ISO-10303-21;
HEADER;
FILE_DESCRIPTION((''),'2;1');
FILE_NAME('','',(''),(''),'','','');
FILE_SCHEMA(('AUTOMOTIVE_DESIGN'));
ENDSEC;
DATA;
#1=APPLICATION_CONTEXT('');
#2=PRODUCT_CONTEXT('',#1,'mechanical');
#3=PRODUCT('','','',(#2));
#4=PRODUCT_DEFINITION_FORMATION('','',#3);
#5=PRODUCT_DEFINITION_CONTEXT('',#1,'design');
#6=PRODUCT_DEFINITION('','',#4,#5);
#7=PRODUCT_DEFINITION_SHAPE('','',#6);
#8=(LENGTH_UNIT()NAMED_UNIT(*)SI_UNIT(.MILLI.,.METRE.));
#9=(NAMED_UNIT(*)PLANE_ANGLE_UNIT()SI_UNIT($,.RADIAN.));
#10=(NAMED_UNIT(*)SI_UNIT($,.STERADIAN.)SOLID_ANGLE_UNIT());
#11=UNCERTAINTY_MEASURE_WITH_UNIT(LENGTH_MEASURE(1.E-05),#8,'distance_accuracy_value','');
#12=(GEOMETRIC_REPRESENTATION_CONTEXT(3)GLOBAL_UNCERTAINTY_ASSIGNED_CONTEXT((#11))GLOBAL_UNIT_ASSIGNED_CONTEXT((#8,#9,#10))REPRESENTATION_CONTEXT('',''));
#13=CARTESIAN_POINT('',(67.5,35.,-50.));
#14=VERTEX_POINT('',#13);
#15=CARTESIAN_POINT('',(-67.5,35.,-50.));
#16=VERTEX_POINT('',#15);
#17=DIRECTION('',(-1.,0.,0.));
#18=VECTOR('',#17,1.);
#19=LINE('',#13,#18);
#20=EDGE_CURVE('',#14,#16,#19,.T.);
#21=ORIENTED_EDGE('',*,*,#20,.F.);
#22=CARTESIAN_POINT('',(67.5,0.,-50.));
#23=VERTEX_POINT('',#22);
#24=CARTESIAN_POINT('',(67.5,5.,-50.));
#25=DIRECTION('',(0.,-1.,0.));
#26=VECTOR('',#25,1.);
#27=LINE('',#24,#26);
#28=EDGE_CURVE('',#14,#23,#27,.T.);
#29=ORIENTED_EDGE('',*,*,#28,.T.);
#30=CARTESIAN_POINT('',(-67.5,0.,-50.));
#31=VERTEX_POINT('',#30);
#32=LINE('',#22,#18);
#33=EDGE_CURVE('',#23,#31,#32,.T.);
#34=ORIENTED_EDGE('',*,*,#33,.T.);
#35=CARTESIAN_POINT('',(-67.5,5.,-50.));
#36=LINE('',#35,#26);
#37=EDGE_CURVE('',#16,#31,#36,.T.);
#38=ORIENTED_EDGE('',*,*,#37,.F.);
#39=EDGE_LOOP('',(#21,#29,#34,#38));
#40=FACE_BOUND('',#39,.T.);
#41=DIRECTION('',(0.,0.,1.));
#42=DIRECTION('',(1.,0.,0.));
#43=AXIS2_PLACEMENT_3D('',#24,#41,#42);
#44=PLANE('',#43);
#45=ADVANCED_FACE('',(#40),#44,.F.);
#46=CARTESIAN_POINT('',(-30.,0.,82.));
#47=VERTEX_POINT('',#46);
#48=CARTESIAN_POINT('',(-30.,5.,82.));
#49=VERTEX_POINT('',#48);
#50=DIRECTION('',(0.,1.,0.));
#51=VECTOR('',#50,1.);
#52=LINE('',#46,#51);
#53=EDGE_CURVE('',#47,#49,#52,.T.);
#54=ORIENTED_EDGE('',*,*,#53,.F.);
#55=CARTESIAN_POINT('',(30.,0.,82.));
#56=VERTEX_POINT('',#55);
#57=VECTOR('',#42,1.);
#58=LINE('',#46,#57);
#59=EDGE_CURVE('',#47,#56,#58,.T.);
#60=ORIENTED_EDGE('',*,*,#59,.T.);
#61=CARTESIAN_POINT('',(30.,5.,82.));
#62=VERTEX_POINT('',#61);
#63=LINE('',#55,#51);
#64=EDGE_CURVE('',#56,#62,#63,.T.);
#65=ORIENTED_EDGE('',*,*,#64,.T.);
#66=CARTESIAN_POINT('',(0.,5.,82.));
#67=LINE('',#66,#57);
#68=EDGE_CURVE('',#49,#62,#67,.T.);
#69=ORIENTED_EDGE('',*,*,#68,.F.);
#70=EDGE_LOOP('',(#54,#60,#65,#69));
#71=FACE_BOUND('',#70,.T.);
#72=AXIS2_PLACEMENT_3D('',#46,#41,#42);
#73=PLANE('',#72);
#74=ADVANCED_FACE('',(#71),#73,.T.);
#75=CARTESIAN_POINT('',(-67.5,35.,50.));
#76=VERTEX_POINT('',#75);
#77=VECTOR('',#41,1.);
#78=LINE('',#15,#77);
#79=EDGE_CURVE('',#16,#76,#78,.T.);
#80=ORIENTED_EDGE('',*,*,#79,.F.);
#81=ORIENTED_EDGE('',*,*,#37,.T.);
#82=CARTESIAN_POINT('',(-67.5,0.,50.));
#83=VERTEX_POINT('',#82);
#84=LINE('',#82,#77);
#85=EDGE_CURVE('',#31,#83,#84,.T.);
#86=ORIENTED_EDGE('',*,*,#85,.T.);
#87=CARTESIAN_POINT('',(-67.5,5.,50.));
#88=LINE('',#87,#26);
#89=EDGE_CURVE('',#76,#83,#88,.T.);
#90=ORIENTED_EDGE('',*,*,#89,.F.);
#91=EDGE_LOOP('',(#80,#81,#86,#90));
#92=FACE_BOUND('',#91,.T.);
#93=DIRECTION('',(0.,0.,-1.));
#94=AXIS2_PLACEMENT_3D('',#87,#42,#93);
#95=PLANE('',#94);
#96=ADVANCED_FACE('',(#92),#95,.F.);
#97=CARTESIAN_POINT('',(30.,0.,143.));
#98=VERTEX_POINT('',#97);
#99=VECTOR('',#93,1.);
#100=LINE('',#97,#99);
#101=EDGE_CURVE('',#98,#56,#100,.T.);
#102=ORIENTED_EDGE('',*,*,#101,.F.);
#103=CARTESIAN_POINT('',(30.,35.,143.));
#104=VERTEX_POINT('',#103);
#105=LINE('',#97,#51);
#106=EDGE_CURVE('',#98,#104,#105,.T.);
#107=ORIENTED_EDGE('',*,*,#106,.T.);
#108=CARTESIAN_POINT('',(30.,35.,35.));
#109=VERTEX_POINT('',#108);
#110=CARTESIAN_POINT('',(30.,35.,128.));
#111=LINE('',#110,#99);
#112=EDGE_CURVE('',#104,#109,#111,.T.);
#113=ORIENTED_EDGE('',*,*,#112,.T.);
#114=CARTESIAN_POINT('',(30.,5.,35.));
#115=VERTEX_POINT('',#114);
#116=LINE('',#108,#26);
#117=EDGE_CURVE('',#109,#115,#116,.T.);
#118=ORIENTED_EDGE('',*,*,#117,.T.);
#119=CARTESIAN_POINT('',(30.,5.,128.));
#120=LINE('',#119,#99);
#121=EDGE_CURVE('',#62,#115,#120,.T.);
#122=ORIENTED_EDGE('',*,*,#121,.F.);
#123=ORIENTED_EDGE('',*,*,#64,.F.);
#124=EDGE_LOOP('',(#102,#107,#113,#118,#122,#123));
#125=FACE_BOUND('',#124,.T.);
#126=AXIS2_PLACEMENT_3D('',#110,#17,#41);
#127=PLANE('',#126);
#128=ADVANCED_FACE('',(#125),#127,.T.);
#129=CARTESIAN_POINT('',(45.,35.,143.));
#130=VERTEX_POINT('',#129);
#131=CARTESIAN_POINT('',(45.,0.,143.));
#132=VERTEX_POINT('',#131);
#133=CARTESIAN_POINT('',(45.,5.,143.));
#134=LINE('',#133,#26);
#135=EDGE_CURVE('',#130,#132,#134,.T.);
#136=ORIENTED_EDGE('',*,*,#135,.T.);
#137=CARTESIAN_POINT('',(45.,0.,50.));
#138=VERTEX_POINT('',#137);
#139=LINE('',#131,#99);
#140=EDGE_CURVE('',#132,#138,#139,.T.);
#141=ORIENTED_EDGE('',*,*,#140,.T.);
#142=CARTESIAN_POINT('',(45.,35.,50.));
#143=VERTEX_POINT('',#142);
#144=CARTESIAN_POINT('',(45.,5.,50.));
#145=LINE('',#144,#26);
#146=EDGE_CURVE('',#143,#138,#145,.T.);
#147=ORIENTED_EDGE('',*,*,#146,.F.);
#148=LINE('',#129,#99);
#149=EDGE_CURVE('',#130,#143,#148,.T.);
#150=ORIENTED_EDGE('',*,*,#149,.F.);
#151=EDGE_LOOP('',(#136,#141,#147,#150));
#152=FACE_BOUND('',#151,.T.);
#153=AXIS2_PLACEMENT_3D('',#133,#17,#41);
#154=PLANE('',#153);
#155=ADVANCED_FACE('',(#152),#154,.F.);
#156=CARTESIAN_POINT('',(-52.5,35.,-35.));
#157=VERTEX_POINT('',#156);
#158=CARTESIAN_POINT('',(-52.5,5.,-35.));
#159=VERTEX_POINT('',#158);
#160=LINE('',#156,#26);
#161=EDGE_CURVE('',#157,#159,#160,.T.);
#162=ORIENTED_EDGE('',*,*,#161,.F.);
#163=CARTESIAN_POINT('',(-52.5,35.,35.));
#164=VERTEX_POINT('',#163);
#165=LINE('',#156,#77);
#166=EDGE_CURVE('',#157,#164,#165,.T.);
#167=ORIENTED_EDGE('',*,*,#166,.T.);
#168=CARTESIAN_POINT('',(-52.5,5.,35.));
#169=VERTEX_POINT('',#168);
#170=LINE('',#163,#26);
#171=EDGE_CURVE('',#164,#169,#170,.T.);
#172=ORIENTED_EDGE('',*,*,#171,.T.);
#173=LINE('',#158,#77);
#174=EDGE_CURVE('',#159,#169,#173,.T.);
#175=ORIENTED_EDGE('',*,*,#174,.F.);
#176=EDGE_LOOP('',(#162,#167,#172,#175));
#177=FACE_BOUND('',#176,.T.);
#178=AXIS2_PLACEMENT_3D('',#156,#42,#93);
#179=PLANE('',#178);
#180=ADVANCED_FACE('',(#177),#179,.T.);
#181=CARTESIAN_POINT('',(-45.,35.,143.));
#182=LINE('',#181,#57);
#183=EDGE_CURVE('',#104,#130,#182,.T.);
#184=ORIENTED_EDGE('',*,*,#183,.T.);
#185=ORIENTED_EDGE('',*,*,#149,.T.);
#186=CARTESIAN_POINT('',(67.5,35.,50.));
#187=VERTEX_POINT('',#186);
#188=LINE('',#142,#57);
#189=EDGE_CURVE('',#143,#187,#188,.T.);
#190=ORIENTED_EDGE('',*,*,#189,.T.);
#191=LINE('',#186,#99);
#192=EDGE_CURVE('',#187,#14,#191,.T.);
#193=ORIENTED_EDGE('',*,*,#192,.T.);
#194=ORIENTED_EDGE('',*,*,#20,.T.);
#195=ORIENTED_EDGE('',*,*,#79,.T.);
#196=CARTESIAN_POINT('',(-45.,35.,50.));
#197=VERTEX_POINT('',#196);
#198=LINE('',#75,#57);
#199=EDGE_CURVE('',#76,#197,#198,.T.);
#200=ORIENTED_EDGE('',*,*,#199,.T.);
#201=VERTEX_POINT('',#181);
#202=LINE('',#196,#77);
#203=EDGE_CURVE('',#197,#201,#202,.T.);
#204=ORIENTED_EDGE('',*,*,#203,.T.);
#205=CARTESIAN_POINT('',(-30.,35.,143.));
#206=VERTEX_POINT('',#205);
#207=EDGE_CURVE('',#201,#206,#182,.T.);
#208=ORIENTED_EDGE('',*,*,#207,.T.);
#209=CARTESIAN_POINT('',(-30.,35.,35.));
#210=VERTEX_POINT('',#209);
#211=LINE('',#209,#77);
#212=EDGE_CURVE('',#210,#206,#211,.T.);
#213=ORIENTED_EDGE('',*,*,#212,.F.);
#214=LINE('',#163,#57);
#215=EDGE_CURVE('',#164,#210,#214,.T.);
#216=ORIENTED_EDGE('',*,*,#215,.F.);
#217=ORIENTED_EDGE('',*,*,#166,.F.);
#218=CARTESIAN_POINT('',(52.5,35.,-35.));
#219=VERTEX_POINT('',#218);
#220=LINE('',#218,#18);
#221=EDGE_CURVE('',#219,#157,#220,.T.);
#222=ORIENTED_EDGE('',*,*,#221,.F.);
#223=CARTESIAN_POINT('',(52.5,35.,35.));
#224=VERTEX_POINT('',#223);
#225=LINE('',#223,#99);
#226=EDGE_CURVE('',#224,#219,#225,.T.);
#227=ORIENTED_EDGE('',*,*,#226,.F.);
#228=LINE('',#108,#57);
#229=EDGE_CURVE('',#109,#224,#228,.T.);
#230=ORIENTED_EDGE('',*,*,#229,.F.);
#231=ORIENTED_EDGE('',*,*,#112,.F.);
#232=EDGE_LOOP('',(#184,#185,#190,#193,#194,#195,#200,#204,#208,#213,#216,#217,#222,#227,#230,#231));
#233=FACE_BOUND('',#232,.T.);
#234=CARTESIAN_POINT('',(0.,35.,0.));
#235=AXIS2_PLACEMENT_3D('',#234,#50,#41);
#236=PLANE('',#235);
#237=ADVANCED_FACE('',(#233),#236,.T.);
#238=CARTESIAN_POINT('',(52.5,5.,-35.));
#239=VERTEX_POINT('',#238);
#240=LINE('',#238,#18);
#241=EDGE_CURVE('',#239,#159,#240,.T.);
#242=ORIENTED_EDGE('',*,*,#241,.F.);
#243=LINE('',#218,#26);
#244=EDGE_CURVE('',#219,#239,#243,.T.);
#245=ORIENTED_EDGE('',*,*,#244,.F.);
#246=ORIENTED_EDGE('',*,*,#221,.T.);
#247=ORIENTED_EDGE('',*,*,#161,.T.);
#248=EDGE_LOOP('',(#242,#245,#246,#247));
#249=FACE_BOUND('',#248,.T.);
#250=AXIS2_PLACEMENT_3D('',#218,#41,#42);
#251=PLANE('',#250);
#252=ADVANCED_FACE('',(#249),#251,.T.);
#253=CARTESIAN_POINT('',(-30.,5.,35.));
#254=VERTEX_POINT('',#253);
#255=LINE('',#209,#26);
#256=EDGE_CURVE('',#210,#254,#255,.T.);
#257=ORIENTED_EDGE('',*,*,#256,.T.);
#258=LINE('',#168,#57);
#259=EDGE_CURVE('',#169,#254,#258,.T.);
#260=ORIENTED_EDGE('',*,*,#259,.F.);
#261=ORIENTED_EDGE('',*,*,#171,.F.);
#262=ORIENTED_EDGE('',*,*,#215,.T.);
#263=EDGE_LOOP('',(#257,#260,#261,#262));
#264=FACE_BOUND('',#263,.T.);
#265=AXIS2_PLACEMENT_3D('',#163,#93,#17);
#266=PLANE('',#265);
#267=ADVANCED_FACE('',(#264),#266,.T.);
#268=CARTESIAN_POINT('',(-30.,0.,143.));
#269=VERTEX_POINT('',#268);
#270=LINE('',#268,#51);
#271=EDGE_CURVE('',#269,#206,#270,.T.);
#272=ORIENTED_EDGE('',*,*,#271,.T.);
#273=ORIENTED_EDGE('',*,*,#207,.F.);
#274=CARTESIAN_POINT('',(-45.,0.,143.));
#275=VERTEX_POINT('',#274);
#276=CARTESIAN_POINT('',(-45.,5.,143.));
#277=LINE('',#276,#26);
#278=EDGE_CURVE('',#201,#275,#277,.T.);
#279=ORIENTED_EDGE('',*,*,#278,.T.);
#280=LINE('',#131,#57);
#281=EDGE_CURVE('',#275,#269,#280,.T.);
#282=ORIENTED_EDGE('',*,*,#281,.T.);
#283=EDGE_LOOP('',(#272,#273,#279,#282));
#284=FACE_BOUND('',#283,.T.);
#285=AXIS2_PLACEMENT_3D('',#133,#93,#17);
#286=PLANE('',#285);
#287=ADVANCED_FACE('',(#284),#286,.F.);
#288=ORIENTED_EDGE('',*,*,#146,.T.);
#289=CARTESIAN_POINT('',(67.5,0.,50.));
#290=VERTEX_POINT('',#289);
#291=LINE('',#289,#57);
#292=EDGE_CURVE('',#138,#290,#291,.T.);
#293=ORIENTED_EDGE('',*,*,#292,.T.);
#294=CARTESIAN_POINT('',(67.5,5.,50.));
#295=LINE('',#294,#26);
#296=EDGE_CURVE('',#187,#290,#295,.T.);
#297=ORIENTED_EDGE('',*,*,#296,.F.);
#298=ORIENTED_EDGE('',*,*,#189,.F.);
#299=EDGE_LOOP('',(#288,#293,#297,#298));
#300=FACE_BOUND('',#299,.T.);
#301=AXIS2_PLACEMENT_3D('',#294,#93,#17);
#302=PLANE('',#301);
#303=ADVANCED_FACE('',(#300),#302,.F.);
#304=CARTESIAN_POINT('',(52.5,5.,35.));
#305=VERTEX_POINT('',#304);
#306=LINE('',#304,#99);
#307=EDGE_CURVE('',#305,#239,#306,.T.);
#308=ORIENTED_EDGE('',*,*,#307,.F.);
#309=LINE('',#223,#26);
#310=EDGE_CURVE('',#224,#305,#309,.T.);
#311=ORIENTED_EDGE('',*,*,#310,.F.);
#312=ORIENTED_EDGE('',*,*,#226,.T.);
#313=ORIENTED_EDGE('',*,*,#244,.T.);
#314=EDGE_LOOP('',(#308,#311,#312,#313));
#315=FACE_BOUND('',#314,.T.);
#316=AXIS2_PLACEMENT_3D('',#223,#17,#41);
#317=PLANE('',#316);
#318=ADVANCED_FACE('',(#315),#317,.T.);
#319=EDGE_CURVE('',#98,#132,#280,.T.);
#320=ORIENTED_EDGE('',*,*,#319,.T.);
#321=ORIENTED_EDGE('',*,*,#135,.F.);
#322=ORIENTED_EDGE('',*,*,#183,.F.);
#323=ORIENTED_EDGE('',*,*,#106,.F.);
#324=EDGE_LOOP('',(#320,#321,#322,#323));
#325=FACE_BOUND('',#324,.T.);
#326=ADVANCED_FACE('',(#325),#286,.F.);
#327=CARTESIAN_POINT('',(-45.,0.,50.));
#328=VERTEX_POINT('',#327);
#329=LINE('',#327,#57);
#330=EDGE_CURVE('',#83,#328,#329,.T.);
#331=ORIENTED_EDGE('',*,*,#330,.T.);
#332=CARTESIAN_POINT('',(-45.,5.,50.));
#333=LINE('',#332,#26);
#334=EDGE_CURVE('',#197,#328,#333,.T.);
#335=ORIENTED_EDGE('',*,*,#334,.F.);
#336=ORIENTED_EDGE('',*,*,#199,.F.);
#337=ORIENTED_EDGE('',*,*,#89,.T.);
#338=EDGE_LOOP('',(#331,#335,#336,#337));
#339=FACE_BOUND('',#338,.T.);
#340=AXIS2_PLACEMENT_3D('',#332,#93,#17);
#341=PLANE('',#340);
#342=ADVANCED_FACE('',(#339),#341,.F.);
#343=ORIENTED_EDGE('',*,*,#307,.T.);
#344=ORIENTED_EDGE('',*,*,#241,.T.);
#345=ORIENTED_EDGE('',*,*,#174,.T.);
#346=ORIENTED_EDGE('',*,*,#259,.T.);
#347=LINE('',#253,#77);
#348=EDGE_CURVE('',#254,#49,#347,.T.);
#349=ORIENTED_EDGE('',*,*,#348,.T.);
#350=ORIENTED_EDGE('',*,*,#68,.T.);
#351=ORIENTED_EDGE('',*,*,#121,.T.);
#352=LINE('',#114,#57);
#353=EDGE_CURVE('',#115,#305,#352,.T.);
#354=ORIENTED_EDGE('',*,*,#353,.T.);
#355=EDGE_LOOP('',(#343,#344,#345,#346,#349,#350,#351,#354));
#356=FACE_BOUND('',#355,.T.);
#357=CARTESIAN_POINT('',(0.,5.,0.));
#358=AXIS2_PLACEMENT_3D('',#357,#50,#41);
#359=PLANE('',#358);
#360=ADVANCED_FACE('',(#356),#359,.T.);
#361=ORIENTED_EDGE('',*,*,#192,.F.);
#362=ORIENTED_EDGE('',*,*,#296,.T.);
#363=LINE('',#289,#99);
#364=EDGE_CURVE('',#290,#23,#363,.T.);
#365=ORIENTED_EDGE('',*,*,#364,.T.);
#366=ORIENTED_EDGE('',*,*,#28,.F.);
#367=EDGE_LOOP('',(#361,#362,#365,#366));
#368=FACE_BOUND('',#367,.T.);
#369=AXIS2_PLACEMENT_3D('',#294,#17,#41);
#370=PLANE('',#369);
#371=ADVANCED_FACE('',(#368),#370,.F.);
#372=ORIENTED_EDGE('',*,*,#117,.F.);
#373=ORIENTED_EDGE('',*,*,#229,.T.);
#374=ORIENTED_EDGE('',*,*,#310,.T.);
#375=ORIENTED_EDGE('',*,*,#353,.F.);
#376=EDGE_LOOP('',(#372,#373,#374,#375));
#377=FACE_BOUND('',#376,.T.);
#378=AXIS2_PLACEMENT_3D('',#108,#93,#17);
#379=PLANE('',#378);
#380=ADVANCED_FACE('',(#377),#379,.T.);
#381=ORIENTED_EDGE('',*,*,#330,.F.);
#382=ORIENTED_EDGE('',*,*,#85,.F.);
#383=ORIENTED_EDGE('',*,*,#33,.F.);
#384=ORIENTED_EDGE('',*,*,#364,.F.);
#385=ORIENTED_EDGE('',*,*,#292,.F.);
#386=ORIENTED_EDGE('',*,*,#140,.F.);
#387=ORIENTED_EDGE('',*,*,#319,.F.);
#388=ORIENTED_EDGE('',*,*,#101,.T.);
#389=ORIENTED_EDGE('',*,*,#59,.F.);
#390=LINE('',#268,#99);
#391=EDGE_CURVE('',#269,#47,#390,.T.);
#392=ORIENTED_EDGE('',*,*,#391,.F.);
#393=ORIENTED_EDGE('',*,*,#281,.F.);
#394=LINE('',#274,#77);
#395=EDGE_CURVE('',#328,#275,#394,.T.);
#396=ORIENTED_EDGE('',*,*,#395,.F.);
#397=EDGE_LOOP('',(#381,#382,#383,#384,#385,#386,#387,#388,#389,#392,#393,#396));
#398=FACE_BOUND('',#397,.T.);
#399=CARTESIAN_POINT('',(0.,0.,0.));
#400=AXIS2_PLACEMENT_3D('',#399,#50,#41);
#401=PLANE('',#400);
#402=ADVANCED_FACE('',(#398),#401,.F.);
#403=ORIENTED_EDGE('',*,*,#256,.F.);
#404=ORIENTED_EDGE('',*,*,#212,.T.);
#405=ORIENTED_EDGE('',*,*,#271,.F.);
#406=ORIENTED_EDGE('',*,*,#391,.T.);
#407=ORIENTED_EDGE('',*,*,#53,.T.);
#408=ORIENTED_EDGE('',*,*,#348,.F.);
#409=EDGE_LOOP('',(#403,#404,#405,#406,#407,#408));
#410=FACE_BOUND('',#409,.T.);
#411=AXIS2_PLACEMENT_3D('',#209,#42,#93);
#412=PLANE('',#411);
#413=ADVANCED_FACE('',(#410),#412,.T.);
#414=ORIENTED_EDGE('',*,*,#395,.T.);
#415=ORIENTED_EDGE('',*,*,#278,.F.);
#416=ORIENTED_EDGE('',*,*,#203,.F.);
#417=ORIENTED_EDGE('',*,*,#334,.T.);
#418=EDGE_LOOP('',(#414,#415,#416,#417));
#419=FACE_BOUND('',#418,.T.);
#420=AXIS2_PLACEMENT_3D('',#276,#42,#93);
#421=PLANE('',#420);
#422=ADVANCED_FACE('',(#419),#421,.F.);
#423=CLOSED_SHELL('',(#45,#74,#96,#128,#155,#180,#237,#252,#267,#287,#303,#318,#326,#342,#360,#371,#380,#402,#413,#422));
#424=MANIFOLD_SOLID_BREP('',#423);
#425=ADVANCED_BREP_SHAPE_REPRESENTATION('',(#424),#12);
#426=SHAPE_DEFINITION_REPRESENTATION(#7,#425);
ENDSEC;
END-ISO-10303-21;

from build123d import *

# Parameters (mm, degrees)
BOSS_EXTRUDE1_DEPTH = 5
BOSS_EXTRUDE2_DEPTH = 30
SKETCH3_W           = 60
SKETCH3_H           = 61
CUT_EXTRUDE1_DEPTH  = 162.957556168


with BuildPart() as part:
    # Sketch1 → Boss-Extrude1 (new body)
    with BuildSketch(Plane(origin=(0, 0, 0), x_dir=(1, 0, 0), z_dir=(0, 1, 0))):
        Polygon((67.5, -50), (45, -50), (45, -143), (-45, -143), (-45, -50), (-67.5, -50), (-67.5, 50), (67.5, 50), align=None)
    extrude(amount=BOSS_EXTRUDE1_DEPTH)

    # Sketch2 → Boss-Extrude2 (add)
    with BuildSketch(Plane(origin=(0, 5, 0), x_dir=(1, 0, 0), z_dir=(0, 1, 0))):
        Polygon((-67.5, 50), (-67.5, -50), (-45, -50), (-45, -143), (45, -143), (45, -50), (67.5, -50), (67.5, 50), align=None)
        Polygon((52.5, 35), (-52.5, 35), (-52.5, -35), (-30, -35), (-30, -128), (30, -128), (30, -35), (52.5, -35), align=None, mode=Mode.SUBTRACT)
    extrude(amount=BOSS_EXTRUDE2_DEPTH)

    # Sketch3 → Cut-Extrude1 (cut, through all)
    with BuildSketch(Plane(origin=(0, 35, 0), x_dir=(1, 0, 0), z_dir=(0, 1, 0))):
        with Locations((0, -112.5)):
            Rectangle(SKETCH3_W, SKETCH3_H)
    extrude(amount=-CUT_EXTRUDE1_DEPTH, mode=Mode.SUBTRACT)


solid = part.part
